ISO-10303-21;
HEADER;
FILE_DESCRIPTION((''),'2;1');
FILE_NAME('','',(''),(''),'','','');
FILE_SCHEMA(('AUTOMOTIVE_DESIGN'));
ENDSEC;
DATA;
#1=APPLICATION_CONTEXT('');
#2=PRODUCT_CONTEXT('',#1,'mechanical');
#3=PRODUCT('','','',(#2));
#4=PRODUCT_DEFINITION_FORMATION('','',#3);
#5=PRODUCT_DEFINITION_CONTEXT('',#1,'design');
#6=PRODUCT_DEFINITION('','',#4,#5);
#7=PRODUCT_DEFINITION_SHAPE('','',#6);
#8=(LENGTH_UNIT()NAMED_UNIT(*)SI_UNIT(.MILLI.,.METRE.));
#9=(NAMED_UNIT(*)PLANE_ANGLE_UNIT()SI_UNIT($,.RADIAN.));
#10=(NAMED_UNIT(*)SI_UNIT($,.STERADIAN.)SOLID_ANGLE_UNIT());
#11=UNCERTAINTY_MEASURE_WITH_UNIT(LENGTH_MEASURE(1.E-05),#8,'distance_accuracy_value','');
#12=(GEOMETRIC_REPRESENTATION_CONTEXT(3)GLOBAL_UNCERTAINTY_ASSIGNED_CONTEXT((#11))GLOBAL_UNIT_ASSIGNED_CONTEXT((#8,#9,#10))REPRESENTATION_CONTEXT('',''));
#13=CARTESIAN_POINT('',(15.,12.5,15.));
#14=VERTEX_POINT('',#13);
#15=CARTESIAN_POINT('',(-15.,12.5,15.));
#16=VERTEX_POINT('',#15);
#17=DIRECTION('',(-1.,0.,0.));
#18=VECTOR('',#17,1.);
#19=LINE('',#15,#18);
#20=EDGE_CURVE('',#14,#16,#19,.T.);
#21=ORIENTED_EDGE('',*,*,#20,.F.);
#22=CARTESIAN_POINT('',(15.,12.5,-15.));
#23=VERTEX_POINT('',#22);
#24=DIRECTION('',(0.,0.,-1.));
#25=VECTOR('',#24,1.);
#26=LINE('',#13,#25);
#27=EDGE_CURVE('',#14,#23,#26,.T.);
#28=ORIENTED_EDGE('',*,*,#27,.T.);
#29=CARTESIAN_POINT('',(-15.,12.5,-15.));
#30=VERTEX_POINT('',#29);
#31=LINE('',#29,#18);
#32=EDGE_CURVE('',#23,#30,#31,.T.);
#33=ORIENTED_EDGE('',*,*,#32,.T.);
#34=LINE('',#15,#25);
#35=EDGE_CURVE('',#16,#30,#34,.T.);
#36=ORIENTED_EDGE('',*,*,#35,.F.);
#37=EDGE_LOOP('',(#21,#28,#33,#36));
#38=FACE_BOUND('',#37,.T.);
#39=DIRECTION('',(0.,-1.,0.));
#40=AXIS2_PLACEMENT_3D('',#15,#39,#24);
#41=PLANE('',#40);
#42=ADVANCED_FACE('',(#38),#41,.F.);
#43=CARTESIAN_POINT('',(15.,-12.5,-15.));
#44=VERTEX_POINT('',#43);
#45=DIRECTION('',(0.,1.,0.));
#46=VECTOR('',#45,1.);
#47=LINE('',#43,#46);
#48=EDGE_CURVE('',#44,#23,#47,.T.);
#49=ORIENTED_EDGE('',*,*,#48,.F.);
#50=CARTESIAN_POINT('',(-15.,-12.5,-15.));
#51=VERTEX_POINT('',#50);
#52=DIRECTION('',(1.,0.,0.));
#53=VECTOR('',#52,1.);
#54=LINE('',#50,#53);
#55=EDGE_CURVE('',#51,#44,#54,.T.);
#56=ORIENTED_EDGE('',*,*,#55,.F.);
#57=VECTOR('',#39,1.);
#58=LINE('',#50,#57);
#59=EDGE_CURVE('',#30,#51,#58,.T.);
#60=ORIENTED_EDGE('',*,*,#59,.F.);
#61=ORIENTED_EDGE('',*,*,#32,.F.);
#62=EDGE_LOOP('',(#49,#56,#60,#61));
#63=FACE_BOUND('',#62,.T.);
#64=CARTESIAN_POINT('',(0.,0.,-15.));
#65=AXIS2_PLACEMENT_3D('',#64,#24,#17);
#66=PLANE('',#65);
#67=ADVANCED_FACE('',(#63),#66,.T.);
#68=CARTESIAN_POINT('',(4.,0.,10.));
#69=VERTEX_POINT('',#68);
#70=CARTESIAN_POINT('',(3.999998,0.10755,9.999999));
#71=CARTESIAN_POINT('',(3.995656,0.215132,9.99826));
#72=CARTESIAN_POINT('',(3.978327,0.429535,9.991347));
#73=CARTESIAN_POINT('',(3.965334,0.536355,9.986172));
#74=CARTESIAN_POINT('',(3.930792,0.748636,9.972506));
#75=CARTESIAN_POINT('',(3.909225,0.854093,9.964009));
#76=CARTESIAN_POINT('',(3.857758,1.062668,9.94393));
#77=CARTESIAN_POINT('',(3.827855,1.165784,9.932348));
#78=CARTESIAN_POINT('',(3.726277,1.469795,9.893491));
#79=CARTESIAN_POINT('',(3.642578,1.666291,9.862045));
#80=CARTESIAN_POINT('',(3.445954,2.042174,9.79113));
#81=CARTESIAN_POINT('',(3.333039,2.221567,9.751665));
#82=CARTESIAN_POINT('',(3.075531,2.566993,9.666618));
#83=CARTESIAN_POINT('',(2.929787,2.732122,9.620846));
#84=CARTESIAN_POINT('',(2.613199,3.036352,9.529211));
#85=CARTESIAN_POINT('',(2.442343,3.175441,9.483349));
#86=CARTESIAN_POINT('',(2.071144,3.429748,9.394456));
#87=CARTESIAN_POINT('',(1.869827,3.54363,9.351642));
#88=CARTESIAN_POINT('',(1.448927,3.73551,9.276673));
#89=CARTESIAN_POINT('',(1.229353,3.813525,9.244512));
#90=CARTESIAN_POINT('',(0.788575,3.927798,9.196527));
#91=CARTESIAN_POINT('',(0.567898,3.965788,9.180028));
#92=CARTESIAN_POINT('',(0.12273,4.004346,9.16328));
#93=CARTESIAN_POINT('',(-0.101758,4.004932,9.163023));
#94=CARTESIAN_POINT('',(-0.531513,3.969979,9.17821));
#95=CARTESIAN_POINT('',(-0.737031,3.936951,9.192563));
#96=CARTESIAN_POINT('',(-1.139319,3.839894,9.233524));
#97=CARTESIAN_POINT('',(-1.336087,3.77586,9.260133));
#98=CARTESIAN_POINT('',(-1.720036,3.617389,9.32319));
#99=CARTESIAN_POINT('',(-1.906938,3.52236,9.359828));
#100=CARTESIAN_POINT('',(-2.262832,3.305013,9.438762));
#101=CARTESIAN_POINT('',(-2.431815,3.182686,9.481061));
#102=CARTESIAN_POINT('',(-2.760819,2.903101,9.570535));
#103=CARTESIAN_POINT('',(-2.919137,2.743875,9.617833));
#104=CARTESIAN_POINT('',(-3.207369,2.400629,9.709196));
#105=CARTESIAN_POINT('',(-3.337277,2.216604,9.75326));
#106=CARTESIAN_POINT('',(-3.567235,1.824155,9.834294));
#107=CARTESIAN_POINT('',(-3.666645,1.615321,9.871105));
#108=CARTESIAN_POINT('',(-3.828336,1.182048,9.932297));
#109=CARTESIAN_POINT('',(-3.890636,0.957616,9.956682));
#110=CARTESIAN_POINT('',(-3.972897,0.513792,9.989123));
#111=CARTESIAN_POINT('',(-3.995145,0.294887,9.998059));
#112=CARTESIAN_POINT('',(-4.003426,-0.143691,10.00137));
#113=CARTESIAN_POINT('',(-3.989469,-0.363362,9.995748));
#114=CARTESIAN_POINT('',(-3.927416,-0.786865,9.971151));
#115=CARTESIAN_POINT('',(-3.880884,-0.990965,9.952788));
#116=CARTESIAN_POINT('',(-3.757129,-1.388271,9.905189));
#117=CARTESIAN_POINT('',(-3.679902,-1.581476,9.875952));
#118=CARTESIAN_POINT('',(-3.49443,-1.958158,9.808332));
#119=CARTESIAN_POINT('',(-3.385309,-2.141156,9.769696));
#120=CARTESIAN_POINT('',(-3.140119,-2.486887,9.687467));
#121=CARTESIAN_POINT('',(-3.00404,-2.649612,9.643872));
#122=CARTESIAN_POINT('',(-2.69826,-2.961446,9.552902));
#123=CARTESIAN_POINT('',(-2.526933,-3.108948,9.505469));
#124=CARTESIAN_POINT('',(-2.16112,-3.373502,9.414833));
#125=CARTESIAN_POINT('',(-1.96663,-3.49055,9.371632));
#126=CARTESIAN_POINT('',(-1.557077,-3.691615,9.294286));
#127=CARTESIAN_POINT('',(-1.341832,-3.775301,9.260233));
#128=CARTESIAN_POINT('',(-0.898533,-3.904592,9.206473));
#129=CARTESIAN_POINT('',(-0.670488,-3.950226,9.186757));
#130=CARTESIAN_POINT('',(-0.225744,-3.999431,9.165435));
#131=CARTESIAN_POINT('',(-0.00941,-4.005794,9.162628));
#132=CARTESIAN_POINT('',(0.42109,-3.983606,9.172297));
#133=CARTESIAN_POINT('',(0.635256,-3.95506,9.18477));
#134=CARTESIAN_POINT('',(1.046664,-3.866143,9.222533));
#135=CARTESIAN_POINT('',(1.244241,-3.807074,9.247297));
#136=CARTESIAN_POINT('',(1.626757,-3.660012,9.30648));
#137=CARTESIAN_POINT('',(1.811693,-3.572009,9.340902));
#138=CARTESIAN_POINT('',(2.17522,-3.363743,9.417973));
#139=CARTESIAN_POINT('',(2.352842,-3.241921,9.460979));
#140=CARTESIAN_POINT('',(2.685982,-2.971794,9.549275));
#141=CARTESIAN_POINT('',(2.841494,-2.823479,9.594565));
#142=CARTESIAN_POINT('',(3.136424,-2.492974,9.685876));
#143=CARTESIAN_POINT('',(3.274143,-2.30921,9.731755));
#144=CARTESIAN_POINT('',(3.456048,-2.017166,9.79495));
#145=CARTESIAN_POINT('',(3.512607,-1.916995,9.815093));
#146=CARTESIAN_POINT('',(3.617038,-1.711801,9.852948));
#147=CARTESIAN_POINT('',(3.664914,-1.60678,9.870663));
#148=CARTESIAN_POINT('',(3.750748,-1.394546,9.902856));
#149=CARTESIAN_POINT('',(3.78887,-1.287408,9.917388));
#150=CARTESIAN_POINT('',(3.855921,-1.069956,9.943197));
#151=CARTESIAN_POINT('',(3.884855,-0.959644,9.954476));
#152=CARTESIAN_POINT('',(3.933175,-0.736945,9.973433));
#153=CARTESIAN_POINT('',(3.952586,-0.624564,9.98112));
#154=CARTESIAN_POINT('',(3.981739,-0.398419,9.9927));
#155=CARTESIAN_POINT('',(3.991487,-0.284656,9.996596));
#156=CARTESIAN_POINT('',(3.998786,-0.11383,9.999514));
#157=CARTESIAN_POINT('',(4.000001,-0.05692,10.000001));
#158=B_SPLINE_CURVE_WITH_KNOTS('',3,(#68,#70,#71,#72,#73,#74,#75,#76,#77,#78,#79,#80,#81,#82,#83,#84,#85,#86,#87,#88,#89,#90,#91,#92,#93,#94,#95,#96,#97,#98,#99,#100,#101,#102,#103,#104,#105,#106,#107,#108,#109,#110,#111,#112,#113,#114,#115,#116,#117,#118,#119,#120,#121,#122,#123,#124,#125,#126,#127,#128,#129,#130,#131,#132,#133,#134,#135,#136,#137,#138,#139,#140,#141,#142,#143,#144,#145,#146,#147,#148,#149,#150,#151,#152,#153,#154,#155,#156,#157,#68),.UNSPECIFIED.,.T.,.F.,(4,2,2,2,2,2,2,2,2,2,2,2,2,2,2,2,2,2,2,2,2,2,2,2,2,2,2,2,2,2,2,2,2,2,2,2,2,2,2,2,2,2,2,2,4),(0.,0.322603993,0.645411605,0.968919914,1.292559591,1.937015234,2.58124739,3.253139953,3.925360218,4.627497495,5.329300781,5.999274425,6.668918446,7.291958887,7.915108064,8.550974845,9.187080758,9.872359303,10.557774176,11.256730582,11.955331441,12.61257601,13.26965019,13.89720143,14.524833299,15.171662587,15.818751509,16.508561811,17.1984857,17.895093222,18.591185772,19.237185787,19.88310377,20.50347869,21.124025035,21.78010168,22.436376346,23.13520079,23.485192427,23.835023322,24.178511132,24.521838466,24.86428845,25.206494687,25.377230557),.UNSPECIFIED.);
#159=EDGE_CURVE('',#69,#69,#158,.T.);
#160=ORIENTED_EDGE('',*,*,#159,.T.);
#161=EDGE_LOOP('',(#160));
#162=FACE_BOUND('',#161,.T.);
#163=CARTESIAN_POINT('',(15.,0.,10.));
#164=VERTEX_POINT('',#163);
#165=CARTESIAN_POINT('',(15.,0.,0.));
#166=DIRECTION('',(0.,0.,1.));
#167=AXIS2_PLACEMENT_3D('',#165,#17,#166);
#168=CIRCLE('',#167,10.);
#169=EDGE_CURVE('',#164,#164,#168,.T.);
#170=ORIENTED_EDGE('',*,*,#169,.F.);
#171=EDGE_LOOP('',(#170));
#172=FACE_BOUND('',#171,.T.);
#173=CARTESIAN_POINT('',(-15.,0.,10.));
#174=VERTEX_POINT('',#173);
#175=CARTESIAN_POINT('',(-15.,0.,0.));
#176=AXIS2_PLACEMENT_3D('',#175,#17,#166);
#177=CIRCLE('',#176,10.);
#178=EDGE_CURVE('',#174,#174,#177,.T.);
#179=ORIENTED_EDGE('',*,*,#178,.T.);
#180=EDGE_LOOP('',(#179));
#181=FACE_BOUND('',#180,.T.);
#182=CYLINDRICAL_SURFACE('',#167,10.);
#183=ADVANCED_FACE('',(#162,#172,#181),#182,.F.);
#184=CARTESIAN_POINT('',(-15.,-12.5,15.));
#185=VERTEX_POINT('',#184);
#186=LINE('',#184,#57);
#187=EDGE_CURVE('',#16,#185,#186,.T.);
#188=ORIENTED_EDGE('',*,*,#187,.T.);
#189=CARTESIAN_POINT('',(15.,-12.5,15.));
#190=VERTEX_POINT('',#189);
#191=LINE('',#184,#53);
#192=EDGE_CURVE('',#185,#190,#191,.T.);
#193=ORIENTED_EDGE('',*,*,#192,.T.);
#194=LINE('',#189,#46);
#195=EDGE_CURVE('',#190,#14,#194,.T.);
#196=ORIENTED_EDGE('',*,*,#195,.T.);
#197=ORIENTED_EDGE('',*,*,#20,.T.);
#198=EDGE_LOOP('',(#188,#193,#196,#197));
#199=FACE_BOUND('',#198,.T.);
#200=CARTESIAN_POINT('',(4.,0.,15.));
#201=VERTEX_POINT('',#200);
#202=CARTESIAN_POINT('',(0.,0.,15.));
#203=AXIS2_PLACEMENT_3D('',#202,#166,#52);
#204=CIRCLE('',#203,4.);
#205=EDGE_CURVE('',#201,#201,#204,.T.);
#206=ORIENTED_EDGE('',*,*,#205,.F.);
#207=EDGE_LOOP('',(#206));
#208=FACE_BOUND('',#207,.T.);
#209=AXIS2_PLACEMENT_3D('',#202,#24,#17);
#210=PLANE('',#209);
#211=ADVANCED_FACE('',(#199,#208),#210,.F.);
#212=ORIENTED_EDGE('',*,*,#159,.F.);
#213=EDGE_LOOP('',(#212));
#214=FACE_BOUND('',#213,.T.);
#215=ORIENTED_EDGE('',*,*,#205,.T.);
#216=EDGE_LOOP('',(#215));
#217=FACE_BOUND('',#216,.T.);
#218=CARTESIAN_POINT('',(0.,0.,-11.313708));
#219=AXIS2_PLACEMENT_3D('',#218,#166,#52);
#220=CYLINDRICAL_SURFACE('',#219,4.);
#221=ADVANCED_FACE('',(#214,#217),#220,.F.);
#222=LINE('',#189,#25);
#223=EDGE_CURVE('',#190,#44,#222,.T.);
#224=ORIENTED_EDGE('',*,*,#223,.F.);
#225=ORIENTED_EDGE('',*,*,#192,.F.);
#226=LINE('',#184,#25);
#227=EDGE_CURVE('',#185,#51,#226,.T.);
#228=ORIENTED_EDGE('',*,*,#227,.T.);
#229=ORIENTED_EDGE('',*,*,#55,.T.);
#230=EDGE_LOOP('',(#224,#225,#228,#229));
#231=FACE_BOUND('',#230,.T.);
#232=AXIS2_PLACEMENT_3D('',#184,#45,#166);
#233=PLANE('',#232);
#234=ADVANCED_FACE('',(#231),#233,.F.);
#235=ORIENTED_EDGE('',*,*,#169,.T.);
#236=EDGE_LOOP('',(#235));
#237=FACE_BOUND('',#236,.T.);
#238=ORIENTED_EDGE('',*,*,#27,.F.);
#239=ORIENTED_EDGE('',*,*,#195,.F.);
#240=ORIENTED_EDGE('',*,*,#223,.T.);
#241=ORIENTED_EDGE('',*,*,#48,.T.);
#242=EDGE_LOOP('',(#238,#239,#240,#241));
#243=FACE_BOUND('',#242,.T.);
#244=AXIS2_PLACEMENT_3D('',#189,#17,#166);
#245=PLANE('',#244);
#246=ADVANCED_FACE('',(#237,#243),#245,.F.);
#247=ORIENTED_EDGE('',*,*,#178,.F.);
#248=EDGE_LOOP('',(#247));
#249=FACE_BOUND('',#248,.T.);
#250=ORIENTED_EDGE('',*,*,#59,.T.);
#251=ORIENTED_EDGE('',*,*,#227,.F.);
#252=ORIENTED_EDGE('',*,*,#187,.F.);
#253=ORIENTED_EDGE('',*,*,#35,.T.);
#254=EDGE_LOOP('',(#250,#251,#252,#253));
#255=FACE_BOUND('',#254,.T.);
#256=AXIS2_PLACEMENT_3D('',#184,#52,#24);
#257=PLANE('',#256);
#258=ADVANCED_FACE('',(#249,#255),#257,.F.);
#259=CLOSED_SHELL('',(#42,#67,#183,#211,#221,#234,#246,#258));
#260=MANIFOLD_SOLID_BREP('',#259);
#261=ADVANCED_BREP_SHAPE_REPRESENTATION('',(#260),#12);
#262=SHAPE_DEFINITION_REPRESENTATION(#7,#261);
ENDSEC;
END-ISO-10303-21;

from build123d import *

# Parameters (mm, degrees)
SKETCH_1_W               = 30
SKETCH_1_H               = 25
EXTRUDE_1_DEPTH          = 15
SKETCH_3_R               = 10
CUT_EXTRUDE_1_DEPTH      = 36.794552658
CUT_EXTRUDE_2_REACH      = 37.795
CUT_EXTRUDE_2_END_RADIUS = 10
SKETCH_4_R               = 4


with BuildPart() as part:
    # 草图1 → 凸台-拉伸1 (new, symmetric)
    with BuildSketch(Plane.XY):
        Rectangle(SKETCH_1_W, SKETCH_1_H)
    extrude(amount=EXTRUDE_1_DEPTH, both=True)

    # 草图3 → 切除-拉伸1 (cut, through all)
    with BuildSketch(Plane.ZY.offset(15)):
        Circle(SKETCH_3_R)
    extrude(amount=-CUT_EXTRUDE_1_DEPTH, mode=Mode.SUBTRACT)

    # 切除-拉伸2: up to this cylinder (the profile starts outside it)
    cut_extrude_2_end = Plane(origin=(0, 0, 0), z_dir=(-1, 0, 0)) * Cylinder(CUT_EXTRUDE_2_END_RADIUS, 96.59, mode=Mode.PRIVATE)
    # 草图4 → 切除-拉伸2 (cut, up to the surface)
    with BuildSketch(Plane.XY.offset(15), mode=Mode.PRIVATE) as cut_extrude_2_sk1:
        Circle(SKETCH_4_R)
    cut_extrude_2_tool1 = extrude(cut_extrude_2_sk1.sketch, amount=-CUT_EXTRUDE_2_REACH, mode=Mode.PRIVATE) - cut_extrude_2_end
    add(cut_extrude_2_tool1.solids().sort_by_distance((0, 0, 15))[0], mode=Mode.SUBTRACT)


solid = part.part
